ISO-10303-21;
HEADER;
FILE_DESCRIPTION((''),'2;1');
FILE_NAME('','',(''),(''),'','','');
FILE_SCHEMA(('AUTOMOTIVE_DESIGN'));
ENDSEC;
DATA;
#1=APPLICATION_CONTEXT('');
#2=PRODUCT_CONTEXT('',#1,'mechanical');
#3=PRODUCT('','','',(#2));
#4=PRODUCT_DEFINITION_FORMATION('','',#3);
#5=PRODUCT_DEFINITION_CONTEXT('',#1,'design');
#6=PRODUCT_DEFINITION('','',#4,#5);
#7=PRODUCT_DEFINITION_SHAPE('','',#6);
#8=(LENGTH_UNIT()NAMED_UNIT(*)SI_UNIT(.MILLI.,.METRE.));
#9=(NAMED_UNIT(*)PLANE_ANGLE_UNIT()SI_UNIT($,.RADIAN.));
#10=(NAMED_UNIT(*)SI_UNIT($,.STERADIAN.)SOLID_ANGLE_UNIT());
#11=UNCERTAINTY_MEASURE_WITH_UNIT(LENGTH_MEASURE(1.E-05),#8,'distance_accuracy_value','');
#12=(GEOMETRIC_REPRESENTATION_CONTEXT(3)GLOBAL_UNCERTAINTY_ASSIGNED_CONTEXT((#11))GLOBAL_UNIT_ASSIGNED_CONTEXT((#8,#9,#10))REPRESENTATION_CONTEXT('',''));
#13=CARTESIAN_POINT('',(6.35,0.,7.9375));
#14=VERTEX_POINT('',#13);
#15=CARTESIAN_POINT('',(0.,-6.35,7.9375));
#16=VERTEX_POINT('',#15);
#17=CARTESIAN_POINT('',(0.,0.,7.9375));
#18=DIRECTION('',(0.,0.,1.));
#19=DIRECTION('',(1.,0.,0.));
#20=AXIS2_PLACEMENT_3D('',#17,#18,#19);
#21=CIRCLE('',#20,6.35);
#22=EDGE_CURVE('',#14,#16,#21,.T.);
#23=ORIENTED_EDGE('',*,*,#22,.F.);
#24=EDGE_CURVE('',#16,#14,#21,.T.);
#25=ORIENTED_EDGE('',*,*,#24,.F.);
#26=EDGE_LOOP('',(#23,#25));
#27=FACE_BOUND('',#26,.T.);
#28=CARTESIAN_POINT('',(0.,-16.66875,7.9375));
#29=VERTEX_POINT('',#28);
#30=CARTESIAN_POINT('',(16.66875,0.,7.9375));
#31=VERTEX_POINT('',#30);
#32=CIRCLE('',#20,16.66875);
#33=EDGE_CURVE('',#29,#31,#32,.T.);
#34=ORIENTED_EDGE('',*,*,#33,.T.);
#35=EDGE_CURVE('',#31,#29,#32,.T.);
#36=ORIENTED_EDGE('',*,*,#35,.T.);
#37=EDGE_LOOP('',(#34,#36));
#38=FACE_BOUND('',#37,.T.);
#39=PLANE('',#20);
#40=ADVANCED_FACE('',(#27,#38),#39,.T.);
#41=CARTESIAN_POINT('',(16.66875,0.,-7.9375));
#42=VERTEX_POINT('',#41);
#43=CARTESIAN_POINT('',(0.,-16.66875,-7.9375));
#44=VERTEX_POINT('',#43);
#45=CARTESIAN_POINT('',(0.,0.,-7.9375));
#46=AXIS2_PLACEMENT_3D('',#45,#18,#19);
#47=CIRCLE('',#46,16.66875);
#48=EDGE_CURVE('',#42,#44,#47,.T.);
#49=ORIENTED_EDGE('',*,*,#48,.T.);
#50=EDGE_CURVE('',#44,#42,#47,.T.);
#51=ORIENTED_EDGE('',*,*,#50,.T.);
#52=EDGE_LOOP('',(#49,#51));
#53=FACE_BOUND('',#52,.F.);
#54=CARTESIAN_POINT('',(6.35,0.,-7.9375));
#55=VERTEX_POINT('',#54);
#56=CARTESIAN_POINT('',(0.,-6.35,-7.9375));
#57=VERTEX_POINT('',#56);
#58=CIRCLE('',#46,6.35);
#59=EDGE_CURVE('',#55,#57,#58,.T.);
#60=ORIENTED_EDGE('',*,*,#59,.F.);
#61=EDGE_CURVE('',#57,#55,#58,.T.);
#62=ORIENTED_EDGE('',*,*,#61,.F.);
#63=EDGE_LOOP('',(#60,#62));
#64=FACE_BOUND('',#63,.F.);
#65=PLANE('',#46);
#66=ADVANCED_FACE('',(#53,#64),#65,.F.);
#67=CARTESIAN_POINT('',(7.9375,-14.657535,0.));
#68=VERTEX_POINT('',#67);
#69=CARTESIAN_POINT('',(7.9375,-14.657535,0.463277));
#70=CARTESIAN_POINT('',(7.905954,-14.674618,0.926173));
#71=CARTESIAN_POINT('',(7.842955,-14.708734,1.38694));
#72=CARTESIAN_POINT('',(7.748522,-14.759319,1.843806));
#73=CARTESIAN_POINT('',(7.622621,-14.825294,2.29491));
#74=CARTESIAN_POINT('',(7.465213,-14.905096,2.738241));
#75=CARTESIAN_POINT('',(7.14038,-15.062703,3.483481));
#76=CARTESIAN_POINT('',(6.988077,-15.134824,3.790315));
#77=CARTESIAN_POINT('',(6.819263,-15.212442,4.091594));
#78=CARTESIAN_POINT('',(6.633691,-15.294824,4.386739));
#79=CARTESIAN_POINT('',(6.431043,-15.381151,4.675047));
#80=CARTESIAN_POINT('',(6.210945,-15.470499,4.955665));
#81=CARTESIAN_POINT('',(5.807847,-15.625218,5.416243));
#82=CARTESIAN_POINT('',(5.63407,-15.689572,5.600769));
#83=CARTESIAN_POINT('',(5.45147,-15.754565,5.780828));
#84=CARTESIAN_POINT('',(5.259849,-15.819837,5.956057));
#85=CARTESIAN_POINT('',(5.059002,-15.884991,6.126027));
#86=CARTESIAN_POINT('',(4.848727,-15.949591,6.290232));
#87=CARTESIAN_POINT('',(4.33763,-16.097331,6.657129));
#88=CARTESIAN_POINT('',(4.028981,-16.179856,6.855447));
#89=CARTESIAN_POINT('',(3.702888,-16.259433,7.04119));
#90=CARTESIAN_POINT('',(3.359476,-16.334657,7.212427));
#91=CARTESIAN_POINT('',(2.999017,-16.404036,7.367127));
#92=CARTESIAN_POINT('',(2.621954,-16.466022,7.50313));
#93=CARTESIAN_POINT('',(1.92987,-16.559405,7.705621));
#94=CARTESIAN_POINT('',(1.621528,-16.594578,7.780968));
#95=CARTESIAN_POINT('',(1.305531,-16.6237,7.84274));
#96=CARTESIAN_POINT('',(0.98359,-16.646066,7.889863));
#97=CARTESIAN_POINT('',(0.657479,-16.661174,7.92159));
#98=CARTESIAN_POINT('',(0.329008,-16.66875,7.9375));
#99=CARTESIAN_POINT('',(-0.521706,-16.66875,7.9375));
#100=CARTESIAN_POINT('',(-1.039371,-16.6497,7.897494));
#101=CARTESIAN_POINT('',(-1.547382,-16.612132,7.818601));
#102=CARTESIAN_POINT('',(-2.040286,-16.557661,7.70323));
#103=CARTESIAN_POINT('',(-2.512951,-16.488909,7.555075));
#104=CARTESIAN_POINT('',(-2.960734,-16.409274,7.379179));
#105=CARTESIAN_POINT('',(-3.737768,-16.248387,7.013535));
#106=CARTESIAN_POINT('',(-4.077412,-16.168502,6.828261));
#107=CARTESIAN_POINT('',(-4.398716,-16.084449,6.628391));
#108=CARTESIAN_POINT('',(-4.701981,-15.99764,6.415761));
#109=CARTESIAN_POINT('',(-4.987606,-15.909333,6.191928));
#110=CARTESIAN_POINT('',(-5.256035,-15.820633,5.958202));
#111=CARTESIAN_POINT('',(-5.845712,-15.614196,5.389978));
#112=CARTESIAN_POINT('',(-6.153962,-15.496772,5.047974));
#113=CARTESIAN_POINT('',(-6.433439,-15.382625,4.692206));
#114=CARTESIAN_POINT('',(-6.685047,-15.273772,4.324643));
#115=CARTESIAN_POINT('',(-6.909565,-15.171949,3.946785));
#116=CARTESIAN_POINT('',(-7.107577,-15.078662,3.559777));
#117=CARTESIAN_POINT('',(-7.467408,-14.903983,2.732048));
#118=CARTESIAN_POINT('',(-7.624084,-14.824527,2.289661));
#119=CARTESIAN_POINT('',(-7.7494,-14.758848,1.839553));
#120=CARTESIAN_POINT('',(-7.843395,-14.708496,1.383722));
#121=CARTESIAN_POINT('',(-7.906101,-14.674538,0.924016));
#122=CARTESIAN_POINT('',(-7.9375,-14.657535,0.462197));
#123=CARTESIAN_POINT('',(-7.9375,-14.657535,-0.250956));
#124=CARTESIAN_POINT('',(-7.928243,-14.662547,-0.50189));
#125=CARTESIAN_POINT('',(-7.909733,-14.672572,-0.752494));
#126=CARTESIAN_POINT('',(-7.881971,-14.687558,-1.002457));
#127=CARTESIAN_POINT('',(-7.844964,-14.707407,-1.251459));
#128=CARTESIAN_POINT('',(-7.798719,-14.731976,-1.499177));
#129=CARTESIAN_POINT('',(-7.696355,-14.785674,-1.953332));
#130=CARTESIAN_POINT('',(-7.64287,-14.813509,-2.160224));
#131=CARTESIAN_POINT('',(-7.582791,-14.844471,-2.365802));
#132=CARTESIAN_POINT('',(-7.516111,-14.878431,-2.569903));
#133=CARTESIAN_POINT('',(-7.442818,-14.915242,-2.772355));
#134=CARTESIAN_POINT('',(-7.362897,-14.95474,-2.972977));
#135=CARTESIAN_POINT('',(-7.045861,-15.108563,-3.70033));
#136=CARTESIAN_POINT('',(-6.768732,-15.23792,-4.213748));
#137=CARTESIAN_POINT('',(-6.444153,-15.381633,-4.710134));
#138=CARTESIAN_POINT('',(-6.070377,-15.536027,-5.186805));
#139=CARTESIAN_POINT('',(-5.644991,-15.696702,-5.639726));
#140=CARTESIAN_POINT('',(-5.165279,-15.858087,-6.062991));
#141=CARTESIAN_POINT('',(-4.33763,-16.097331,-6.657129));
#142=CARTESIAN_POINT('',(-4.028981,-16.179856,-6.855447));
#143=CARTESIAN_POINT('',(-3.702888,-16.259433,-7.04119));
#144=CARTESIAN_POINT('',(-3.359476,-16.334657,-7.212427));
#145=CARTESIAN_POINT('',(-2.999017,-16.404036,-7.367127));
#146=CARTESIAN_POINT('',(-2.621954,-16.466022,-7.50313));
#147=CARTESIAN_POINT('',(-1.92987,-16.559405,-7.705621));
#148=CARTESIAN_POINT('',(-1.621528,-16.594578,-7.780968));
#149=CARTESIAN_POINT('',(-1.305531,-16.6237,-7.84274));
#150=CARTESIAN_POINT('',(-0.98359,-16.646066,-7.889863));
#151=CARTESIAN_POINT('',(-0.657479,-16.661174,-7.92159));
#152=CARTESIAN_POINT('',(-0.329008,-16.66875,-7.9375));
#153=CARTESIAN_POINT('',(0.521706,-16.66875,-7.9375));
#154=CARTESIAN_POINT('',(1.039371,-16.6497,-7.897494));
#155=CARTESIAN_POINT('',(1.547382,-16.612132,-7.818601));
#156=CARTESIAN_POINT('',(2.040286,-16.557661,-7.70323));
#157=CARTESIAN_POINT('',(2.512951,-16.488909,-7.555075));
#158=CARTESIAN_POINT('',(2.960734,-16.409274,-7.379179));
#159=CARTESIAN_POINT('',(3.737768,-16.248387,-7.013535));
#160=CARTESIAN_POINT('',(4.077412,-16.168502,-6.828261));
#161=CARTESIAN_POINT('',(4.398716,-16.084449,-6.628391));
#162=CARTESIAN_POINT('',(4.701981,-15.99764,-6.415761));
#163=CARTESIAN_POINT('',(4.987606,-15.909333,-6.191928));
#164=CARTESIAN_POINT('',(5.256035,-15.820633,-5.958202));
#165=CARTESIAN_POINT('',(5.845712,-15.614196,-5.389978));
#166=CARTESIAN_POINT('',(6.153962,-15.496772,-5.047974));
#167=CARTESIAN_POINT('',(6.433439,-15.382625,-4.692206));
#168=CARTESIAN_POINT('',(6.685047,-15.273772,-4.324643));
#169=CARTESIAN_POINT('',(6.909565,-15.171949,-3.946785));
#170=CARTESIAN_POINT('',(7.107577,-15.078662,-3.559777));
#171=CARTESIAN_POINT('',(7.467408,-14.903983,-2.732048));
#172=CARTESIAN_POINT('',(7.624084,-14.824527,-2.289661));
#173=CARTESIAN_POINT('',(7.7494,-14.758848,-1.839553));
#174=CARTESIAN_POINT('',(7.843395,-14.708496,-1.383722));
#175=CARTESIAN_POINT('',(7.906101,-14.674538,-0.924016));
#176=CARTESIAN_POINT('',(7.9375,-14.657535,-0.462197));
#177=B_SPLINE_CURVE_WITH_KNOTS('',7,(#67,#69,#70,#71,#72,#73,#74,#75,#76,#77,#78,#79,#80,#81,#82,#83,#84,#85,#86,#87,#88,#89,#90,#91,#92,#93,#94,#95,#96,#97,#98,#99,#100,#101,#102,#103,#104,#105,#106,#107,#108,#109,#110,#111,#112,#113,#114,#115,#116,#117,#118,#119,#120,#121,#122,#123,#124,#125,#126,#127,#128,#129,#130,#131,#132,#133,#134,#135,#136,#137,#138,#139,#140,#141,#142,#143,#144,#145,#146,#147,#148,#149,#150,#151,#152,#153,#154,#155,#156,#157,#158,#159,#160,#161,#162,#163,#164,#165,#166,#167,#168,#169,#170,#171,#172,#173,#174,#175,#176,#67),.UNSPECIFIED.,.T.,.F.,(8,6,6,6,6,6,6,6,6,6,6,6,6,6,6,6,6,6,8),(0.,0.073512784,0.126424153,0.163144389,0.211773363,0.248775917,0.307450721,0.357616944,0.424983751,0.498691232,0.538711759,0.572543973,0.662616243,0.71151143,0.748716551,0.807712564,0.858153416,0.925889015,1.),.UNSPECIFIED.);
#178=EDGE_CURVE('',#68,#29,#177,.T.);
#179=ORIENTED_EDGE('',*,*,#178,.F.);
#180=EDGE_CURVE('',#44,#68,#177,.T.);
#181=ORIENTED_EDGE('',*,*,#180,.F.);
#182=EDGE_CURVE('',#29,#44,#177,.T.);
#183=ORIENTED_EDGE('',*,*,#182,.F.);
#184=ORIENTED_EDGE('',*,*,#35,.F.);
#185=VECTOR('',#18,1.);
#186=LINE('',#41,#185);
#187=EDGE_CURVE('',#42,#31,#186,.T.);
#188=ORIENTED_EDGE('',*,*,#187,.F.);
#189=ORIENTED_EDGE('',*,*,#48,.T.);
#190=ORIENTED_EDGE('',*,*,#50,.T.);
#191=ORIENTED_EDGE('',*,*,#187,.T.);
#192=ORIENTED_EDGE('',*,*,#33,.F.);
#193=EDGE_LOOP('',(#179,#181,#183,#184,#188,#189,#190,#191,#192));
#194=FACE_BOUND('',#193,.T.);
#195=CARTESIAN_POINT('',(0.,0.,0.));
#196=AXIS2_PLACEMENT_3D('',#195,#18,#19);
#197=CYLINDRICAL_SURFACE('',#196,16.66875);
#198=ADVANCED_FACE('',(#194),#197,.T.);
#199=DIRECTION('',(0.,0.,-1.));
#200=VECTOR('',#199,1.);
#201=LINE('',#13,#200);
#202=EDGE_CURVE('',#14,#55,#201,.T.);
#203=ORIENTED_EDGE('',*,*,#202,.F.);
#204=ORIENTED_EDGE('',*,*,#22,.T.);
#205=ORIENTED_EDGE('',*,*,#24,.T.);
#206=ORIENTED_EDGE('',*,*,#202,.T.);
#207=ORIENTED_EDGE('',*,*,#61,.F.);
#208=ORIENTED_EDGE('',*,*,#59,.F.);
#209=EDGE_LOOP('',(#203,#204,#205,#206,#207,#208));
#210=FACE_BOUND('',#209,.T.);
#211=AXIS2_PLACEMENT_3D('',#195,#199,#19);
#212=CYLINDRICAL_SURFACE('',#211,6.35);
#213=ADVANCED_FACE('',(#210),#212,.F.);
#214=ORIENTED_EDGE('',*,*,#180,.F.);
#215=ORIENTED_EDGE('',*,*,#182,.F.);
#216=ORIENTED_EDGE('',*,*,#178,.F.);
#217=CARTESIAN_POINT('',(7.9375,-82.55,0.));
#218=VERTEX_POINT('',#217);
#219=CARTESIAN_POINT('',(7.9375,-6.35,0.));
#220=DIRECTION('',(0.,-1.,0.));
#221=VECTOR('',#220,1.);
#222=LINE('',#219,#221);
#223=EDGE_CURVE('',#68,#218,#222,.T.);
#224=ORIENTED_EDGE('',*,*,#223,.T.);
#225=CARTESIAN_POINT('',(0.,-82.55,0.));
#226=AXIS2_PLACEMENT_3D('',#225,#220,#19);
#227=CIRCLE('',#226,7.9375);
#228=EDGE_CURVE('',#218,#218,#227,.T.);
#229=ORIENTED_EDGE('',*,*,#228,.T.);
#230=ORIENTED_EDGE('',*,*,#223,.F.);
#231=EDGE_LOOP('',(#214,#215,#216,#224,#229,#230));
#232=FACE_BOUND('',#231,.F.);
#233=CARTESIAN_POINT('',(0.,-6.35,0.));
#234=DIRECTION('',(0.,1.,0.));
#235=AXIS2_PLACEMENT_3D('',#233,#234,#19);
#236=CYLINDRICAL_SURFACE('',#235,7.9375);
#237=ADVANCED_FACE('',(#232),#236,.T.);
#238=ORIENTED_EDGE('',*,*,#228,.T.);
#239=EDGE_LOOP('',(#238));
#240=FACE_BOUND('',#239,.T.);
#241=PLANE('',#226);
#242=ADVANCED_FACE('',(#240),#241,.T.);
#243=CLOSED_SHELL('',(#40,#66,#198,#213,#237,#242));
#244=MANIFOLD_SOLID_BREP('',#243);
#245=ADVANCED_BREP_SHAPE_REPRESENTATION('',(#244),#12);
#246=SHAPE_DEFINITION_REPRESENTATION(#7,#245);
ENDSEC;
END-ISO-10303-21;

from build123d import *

# Parameters (mm, degrees)
F3_R     = 16.66875
F3_R_2   = 6.35
F4_DEPTH = 7.9375
F6_R     = 7.9375
F7_DEPTH = 76.2


with BuildPart() as f4:
    # F3 (on Top) → F4 (new body, symmetric)
    with BuildSketch(Plane.XY):
        Circle(F3_R)
        Circle(F3_R_2, mode=Mode.SUBTRACT)
    extrude(amount=F4_DEPTH, both=True)

    # F6 (on offset) → F7 (join)
    with BuildSketch(Plane.XZ.offset(6.35)):
        Circle(F6_R)
    extrude(amount=F7_DEPTH)


solid = f4.part
